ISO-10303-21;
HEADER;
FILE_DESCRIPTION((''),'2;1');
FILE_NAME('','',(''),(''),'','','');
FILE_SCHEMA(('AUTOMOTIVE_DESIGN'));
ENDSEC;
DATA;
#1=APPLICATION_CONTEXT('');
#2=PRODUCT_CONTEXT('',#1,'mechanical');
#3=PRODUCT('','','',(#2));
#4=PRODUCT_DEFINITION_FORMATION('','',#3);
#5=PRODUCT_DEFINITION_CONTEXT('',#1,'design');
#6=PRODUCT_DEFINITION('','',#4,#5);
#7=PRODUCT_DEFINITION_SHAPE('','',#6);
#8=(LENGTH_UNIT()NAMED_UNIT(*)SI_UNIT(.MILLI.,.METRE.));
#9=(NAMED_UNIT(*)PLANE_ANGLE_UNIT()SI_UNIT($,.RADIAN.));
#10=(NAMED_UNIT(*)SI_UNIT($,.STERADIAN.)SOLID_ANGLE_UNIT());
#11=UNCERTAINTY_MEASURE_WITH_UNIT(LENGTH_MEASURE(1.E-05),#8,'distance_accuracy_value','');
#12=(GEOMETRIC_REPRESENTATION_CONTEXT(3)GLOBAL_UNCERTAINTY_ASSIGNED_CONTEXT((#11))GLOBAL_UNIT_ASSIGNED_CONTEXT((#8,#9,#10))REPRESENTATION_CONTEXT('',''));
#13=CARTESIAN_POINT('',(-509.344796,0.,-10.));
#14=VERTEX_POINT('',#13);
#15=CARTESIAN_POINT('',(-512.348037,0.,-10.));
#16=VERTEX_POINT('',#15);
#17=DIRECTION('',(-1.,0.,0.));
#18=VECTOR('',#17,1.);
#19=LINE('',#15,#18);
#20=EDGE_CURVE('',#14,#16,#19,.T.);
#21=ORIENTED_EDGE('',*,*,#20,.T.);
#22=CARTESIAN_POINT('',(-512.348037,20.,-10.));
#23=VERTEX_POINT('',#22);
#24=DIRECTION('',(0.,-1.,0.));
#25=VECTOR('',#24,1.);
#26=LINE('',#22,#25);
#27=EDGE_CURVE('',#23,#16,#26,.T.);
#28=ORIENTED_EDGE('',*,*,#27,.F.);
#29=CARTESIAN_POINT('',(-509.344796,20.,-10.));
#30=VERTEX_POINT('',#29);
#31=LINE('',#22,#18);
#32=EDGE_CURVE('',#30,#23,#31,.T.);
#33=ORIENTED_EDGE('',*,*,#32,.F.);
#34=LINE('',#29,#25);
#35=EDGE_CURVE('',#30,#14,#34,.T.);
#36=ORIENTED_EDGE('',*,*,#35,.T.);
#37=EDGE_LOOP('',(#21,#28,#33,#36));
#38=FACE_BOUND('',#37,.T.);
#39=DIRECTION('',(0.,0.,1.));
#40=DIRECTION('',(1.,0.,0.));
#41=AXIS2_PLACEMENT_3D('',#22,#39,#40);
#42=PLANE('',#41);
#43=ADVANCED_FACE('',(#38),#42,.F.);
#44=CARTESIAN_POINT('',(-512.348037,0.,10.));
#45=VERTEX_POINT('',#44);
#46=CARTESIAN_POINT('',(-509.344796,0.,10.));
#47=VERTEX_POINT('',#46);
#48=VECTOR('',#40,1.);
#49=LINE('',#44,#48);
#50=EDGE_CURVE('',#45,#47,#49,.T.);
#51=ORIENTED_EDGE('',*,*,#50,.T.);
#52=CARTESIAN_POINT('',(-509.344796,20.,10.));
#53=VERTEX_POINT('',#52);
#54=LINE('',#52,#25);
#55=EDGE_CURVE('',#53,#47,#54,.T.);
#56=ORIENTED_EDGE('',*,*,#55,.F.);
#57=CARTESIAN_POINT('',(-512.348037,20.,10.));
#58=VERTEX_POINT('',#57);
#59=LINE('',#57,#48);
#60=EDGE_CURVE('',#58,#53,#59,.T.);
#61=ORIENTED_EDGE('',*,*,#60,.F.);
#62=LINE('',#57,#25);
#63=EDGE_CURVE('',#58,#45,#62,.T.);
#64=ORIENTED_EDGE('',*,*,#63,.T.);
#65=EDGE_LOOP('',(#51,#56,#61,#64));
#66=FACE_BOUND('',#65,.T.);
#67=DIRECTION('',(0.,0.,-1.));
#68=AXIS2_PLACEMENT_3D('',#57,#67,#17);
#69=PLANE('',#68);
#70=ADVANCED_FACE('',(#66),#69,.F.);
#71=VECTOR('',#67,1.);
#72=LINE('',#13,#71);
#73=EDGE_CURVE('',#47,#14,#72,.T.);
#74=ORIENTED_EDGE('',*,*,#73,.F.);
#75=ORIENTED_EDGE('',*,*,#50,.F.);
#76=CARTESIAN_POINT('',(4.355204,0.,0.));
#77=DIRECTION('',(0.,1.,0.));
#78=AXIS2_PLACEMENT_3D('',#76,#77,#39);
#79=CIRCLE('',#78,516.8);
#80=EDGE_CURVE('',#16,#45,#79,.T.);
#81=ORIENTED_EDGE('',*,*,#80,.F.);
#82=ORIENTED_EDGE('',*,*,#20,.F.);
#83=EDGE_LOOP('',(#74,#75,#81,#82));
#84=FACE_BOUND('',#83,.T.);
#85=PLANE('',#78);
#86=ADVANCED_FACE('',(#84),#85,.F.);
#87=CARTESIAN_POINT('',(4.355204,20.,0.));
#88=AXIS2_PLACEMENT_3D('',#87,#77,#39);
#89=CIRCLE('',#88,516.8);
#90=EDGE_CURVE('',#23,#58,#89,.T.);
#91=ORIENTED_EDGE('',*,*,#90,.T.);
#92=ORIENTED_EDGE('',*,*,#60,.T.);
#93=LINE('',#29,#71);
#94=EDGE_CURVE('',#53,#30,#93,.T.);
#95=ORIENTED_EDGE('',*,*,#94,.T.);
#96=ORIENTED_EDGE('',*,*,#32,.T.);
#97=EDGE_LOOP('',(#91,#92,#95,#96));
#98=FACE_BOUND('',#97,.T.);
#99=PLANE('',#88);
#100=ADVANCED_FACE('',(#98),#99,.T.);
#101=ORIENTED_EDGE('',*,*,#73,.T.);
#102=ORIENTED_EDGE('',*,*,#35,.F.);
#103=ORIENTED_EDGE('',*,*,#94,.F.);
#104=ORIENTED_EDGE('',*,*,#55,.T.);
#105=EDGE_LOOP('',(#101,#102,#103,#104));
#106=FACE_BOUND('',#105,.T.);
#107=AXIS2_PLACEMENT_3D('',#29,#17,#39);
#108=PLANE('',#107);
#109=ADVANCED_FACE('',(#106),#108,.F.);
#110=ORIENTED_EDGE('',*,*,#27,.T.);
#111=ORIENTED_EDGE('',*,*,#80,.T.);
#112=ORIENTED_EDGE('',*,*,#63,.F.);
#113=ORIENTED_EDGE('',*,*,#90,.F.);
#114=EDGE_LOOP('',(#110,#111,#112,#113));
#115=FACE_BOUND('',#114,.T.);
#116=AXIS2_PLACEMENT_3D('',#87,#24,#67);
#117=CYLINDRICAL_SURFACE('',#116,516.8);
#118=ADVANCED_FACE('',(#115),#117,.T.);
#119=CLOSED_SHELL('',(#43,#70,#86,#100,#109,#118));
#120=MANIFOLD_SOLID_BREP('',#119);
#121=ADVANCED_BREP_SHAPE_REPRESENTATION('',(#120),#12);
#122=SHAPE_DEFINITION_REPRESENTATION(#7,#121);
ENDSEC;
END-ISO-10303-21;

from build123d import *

# Parameters (mm, degrees)
EXTRUDE_1_DEPTH = 20


with BuildPart() as part:
    # 草图1 → 凸台-拉伸1 (new body)
    with BuildSketch(Plane(origin=(0, 0, 0), x_dir=(1, 0, 0), z_dir=(0, 1, 0))):
        with BuildLine():
            Line((-512.348037381, 10), (-509.344795665, 10))
            Line((-509.344795665, 10), (-509.344795665, -10))
            Line((-509.344795665, -10), (-512.348037381, -10))
            ThreePointArc((-512.348037381, -10), (-512.444795665, 0), (-512.348037381, 10))
        make_face()
    extrude(amount=EXTRUDE_1_DEPTH)


solid = part.part
